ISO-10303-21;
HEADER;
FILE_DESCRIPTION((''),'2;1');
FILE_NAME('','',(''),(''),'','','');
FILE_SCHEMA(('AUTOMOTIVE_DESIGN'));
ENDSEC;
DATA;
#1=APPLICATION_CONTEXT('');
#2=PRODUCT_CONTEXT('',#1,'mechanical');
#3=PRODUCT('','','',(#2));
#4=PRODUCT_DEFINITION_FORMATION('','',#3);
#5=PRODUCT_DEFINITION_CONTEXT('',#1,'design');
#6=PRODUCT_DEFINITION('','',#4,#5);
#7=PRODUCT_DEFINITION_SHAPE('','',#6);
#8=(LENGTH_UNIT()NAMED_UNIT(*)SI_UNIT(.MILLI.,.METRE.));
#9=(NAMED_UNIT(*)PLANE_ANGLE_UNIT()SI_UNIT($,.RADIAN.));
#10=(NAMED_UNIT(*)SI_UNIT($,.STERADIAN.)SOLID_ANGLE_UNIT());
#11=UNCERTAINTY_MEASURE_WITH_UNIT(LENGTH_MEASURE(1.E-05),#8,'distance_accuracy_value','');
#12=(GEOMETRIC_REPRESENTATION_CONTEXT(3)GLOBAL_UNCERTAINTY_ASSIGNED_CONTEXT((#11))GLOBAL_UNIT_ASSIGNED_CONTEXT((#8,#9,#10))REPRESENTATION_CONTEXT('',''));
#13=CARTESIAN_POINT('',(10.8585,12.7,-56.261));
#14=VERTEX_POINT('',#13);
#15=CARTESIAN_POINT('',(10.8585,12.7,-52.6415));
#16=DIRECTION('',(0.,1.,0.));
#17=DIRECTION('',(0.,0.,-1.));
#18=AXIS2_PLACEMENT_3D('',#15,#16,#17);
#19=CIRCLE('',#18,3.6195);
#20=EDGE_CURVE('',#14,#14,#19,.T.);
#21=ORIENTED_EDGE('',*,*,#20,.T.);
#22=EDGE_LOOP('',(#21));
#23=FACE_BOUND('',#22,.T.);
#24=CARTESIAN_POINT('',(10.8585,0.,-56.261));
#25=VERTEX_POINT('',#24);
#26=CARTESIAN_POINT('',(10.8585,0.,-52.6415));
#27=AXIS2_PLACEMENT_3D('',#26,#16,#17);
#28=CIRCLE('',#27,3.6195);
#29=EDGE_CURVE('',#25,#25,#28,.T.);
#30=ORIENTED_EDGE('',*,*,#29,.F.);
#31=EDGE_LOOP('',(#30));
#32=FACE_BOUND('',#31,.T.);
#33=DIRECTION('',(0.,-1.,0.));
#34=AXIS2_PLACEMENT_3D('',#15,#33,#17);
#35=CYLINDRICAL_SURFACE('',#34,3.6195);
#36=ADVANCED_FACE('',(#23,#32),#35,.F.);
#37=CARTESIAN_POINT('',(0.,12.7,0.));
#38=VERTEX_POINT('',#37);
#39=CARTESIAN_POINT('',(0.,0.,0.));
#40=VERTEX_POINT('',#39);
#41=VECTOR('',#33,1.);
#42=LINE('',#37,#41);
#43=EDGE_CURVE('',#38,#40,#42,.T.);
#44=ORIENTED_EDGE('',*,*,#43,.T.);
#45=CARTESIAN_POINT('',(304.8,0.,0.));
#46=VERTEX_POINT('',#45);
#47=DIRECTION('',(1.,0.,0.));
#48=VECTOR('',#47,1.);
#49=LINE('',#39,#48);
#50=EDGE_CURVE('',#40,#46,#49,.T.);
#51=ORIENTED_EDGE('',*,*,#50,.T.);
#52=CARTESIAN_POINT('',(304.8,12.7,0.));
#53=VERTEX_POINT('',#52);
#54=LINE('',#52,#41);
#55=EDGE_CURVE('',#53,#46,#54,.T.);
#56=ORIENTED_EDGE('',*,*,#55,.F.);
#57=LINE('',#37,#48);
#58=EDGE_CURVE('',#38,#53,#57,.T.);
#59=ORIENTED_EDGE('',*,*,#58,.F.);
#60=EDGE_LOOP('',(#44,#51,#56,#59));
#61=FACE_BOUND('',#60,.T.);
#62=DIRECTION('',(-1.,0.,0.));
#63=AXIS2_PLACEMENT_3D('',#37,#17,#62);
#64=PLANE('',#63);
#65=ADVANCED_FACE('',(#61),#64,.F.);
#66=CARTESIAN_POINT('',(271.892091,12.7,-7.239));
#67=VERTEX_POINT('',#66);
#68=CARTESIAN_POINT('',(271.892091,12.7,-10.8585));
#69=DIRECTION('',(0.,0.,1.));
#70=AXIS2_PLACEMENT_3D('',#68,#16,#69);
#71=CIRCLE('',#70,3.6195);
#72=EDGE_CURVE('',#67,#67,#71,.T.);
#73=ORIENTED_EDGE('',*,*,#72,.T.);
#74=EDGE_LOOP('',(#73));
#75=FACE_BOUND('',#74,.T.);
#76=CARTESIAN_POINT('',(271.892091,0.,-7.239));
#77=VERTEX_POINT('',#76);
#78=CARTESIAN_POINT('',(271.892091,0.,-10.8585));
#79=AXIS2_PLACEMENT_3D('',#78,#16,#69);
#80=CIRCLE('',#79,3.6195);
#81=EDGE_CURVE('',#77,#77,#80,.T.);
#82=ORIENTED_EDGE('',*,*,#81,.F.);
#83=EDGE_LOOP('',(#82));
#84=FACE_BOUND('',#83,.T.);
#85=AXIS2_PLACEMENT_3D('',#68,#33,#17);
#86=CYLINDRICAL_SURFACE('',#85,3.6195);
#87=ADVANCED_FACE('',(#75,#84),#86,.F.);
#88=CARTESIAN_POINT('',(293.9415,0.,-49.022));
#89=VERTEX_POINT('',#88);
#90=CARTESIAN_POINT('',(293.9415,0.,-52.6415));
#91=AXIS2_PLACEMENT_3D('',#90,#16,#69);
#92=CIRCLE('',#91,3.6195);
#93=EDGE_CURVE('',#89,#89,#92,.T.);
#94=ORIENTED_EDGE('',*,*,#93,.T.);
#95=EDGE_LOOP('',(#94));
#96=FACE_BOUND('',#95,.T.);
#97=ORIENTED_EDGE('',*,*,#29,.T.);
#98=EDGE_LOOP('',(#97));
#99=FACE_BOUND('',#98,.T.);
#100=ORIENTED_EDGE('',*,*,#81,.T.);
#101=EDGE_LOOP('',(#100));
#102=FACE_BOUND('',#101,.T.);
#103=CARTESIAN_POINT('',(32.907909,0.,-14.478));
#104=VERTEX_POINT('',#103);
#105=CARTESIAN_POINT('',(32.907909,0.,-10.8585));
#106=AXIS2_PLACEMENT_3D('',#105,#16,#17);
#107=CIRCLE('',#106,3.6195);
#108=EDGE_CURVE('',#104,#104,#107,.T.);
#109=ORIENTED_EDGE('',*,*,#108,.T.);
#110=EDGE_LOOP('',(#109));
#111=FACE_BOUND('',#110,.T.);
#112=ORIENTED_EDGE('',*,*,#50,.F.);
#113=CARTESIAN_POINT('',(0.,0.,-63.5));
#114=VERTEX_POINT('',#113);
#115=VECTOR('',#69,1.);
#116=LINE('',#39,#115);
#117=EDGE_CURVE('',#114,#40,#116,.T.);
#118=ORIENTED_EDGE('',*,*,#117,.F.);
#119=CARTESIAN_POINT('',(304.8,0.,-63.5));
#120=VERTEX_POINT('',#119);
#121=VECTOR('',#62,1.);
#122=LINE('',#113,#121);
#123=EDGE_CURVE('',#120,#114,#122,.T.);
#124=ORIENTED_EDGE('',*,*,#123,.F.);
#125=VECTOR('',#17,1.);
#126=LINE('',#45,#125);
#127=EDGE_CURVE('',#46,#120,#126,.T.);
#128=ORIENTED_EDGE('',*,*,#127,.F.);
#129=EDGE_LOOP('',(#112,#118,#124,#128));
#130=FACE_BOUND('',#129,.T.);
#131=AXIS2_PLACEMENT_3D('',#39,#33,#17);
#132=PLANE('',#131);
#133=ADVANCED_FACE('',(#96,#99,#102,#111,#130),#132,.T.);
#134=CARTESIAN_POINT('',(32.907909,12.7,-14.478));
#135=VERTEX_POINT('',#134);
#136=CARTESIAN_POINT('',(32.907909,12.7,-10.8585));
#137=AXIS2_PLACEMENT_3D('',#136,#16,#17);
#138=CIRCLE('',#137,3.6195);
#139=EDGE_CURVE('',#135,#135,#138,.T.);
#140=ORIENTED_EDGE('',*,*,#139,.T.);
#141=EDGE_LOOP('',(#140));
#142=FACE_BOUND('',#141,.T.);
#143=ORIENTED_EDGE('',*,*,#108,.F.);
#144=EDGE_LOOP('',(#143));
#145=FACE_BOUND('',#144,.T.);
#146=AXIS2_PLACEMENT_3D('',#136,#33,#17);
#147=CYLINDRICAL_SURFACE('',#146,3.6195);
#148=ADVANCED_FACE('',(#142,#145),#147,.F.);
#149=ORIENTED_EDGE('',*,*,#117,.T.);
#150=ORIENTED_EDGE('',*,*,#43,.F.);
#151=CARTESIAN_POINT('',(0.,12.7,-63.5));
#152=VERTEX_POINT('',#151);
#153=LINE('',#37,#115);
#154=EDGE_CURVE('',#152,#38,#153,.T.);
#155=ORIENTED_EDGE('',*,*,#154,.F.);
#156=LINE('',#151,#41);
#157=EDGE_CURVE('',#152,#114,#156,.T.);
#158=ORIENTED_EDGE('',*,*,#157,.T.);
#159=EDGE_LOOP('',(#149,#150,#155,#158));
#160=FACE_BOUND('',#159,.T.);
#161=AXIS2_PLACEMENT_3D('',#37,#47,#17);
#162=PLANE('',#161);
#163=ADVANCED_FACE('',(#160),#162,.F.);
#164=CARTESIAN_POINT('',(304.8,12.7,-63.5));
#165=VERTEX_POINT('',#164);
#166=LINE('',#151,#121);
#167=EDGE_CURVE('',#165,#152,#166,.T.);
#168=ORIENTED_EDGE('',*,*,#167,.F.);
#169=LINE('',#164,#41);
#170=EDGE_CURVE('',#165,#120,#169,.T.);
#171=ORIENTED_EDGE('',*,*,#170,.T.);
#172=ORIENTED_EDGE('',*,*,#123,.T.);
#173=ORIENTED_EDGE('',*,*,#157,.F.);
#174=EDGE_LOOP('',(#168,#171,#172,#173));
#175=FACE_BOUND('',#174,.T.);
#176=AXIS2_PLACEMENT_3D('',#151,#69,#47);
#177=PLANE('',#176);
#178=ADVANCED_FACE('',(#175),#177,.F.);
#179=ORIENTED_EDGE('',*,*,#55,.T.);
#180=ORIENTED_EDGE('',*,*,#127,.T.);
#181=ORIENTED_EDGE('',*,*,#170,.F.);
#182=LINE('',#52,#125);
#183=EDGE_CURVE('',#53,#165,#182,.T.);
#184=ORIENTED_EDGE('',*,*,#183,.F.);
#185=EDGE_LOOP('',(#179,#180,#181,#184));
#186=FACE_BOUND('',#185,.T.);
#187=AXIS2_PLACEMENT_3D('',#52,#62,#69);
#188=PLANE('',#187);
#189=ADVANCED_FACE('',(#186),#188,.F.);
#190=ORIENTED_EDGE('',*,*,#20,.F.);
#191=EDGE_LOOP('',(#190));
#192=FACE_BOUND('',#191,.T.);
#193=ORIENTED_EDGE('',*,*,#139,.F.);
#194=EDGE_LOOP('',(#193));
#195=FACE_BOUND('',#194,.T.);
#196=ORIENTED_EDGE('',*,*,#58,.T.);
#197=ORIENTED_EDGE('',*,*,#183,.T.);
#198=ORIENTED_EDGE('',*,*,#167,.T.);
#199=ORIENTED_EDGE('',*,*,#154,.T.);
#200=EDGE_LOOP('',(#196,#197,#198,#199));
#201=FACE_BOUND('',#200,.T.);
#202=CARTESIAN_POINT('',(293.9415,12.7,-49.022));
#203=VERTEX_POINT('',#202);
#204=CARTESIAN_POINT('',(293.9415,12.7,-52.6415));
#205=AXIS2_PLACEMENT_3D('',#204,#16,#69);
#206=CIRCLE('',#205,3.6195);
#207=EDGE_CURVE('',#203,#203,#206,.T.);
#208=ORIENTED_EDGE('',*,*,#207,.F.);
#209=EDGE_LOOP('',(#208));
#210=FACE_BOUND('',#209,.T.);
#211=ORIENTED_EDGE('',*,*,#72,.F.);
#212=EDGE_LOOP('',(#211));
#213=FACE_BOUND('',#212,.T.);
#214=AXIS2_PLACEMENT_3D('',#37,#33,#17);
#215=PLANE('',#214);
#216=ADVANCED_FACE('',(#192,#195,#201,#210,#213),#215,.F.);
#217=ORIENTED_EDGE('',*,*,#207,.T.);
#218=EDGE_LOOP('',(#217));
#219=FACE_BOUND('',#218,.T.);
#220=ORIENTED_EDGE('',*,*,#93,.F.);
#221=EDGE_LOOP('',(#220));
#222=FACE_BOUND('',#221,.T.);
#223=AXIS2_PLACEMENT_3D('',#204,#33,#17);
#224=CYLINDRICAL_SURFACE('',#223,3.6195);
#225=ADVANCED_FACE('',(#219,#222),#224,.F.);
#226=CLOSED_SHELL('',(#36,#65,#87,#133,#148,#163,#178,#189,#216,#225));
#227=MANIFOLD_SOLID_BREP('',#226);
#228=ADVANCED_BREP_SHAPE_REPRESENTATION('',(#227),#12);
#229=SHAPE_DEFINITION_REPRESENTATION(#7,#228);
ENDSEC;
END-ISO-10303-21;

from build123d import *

# Parameters (mm, degrees)
SKETCH2_W           = 304.8
SKETCH2_H           = 63.5
SKETCH2_R           = 3.6195
BOSS_EXTRUDE1_DEPTH = 12.7


with BuildPart() as part:
    # Sketch2 → Boss-Extrude1 (new body)
    with BuildSketch(Plane(origin=(0, 0, 0), x_dir=(1, 0, 0), z_dir=(0, 1, 0))):
        with Locations((152.4, 31.75)):
            Rectangle(SKETCH2_W, SKETCH2_H)
        with Locations(Location((293.9415, 52.6415, 0), (0, 0, 270))):
            Circle(SKETCH2_R, mode=Mode.SUBTRACT)
        with Locations(Location((271.892090779, 10.8585, 0), (0, 0, 270))):
            Circle(SKETCH2_R, mode=Mode.SUBTRACT)
        with Locations(Location((32.907909221, 10.8585, 0), (0, 0, 90))):
            Circle(SKETCH2_R, mode=Mode.SUBTRACT)
        with Locations(Location((10.8585, 52.6415, 0), (0, 0, 90))):
            Circle(SKETCH2_R, mode=Mode.SUBTRACT)
    extrude(amount=BOSS_EXTRUDE1_DEPTH)


solid = part.part
